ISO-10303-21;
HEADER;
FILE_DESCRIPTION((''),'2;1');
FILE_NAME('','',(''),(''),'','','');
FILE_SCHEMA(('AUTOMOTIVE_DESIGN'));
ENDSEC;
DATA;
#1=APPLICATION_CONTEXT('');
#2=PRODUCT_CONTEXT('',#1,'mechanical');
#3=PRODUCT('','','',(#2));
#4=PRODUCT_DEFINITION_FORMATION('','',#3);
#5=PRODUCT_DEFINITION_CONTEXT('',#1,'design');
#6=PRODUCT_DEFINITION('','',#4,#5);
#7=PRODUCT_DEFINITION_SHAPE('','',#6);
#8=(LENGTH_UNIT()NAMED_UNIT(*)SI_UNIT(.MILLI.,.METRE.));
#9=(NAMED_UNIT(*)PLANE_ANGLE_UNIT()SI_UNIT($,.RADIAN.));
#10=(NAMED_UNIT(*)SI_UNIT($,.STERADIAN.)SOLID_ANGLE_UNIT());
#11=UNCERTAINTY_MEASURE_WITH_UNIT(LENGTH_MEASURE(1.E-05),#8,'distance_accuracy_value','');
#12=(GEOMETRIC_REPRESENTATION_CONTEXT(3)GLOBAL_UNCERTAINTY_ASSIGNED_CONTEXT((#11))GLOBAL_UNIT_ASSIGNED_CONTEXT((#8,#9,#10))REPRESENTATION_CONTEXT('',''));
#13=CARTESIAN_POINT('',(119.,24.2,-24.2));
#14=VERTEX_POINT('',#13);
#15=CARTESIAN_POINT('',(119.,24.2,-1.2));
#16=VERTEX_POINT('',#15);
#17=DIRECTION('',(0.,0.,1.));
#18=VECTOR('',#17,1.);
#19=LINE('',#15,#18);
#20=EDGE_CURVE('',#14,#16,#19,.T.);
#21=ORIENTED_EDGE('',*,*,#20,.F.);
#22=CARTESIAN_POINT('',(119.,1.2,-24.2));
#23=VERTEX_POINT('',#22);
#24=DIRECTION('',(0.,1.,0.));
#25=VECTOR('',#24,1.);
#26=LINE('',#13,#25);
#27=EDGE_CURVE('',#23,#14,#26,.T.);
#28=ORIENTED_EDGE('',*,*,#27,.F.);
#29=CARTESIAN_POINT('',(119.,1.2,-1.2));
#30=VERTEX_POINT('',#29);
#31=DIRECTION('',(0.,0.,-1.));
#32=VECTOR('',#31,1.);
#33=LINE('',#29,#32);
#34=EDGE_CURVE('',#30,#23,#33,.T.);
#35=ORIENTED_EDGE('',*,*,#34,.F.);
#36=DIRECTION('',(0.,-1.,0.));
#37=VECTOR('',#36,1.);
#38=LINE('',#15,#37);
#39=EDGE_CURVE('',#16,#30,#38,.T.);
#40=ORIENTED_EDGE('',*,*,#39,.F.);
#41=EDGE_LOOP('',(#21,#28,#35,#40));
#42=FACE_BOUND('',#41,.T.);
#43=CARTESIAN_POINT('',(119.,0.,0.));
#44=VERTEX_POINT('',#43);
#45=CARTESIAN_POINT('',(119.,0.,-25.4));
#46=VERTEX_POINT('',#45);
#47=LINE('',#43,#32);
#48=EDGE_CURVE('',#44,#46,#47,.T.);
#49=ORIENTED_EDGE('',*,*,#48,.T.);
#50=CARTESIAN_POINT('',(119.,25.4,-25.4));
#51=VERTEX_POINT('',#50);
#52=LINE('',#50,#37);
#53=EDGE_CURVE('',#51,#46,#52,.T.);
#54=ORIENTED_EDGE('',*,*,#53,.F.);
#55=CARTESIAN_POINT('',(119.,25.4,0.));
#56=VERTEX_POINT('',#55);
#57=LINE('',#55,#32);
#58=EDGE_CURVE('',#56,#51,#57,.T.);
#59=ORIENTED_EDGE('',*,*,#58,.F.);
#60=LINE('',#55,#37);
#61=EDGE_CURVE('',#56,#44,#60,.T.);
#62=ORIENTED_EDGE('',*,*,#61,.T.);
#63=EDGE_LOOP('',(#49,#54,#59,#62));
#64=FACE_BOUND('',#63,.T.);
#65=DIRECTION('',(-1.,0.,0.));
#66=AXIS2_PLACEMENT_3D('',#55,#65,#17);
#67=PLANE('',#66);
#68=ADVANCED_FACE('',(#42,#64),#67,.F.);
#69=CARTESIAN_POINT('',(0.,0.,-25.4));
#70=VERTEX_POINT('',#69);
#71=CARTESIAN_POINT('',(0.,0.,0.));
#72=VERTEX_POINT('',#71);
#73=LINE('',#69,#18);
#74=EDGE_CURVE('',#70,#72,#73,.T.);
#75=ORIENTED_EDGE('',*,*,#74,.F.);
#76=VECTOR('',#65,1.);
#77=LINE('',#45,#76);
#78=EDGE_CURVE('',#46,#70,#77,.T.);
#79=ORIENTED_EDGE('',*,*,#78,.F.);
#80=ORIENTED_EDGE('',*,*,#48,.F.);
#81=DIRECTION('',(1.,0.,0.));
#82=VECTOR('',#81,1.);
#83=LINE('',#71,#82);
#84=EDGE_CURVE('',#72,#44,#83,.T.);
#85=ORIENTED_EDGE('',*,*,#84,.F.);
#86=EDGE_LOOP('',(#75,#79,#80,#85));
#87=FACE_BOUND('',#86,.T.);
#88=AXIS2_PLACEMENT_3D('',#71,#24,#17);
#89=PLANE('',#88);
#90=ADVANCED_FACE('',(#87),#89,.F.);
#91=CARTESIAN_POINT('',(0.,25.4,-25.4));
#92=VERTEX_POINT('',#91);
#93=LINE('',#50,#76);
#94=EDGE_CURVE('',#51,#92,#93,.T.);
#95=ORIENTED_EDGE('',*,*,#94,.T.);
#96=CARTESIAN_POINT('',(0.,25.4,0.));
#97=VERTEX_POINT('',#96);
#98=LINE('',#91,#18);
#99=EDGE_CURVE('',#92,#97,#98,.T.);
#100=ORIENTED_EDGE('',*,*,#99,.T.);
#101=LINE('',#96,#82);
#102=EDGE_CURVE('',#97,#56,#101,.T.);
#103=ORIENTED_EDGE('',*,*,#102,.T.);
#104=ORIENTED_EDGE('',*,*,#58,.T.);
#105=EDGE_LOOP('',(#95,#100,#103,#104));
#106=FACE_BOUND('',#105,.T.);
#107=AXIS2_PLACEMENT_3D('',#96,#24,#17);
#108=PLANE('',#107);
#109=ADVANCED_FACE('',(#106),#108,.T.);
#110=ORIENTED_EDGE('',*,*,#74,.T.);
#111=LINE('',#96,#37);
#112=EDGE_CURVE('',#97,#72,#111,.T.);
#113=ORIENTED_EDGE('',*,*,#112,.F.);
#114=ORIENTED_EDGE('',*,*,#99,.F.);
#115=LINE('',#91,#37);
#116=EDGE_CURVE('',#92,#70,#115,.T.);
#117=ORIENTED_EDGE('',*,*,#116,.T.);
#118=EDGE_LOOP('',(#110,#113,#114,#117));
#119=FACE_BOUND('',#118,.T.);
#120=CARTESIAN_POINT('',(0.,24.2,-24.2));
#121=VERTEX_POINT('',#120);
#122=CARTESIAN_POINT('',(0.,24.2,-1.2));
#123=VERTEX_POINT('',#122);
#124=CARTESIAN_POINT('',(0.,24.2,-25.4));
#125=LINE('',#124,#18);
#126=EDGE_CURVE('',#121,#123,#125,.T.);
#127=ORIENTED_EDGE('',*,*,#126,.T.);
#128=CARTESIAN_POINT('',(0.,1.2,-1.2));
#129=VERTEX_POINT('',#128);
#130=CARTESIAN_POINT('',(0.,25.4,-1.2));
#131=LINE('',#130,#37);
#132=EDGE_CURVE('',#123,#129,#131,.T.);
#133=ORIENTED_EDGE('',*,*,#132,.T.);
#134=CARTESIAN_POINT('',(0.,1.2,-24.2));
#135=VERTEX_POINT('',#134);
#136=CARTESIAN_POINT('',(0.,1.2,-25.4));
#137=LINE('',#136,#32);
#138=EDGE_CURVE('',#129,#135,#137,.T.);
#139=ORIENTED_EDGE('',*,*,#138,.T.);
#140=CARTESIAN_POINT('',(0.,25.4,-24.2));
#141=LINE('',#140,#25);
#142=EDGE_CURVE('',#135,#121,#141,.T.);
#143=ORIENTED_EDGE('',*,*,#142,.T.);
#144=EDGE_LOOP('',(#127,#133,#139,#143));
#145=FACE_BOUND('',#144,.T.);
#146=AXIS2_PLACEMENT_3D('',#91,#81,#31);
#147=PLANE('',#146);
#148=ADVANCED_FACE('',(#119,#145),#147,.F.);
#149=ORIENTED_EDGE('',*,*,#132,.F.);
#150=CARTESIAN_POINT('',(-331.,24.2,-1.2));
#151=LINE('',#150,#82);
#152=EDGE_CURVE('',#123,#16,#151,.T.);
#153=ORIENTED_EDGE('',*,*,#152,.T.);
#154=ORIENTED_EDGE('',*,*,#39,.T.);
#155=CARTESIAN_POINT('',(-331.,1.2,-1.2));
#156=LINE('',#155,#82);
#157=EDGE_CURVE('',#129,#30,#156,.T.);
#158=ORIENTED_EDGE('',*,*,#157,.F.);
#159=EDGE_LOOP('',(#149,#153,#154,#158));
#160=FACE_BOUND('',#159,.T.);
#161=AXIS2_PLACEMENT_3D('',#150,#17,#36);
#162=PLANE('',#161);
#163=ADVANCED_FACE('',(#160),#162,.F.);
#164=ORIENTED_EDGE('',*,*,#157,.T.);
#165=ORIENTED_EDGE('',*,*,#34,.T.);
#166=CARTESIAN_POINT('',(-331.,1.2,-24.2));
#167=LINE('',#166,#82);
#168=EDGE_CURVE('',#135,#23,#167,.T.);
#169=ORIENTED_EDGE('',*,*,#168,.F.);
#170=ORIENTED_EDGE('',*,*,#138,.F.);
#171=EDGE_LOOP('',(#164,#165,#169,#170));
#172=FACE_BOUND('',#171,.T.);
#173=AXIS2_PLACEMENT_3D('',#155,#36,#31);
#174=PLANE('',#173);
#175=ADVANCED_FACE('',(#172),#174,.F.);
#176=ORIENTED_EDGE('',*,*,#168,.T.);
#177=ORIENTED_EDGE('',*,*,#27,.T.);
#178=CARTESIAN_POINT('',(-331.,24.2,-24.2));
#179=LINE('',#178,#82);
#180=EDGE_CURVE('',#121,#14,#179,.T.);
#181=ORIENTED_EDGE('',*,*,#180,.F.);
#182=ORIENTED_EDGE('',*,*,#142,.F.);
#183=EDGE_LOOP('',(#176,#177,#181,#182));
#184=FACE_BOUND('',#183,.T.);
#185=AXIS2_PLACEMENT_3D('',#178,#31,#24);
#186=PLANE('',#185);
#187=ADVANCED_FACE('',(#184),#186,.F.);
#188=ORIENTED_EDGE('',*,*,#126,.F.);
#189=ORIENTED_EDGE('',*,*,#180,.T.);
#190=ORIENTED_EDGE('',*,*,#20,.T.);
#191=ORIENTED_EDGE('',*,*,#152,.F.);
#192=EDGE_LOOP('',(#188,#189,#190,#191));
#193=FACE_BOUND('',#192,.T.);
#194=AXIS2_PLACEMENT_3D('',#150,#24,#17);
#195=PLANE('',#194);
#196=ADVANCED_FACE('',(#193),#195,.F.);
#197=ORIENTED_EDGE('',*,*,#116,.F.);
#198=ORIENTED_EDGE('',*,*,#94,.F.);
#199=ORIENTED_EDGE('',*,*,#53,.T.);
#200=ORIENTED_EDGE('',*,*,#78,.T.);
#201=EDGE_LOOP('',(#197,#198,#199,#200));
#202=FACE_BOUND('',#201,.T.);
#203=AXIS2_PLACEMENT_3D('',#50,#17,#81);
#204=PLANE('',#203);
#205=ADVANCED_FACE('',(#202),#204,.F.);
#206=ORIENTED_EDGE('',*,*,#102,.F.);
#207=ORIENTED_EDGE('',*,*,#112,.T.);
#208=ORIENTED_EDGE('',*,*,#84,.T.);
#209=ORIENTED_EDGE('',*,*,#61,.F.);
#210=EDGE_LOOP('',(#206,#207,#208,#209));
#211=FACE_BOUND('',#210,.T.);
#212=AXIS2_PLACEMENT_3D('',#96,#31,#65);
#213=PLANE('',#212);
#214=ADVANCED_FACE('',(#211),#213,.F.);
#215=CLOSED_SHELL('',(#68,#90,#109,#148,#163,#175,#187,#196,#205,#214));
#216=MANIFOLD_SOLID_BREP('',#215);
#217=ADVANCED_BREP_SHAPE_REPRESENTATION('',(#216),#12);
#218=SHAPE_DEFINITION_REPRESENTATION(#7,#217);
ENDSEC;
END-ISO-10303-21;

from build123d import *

# Parameters (mm, degrees)
SKETCH1_W           = 119
SKETCH1_H           = 25.4
BOSS_EXTRUDE1_DEPTH = 25.4
SKETCH2_W           = 23
SKETCH2_H           = 23
CUT_EXTRUDE1_DEPTH  = 450


with BuildPart() as part:
    # Sketch1 → Boss-Extrude1 (new body)
    with BuildSketch(Plane(origin=(0, 0, 0), x_dir=(1, 0, 0), z_dir=(0, 1, 0))):
        with Locations((59.5, 12.7)):
            Rectangle(SKETCH1_W, SKETCH1_H)
    extrude(amount=BOSS_EXTRUDE1_DEPTH)

    # Sketch2 → Cut-Extrude1 (cut)
    with BuildSketch(Plane(origin=(119, 0, 0), x_dir=(0, 0, -1), z_dir=(1, 0, 0))):
        with Locations((12.7, 12.7)):
            Rectangle(SKETCH2_W, SKETCH2_H)
    extrude(amount=-CUT_EXTRUDE1_DEPTH, mode=Mode.SUBTRACT)


solid = part.part
